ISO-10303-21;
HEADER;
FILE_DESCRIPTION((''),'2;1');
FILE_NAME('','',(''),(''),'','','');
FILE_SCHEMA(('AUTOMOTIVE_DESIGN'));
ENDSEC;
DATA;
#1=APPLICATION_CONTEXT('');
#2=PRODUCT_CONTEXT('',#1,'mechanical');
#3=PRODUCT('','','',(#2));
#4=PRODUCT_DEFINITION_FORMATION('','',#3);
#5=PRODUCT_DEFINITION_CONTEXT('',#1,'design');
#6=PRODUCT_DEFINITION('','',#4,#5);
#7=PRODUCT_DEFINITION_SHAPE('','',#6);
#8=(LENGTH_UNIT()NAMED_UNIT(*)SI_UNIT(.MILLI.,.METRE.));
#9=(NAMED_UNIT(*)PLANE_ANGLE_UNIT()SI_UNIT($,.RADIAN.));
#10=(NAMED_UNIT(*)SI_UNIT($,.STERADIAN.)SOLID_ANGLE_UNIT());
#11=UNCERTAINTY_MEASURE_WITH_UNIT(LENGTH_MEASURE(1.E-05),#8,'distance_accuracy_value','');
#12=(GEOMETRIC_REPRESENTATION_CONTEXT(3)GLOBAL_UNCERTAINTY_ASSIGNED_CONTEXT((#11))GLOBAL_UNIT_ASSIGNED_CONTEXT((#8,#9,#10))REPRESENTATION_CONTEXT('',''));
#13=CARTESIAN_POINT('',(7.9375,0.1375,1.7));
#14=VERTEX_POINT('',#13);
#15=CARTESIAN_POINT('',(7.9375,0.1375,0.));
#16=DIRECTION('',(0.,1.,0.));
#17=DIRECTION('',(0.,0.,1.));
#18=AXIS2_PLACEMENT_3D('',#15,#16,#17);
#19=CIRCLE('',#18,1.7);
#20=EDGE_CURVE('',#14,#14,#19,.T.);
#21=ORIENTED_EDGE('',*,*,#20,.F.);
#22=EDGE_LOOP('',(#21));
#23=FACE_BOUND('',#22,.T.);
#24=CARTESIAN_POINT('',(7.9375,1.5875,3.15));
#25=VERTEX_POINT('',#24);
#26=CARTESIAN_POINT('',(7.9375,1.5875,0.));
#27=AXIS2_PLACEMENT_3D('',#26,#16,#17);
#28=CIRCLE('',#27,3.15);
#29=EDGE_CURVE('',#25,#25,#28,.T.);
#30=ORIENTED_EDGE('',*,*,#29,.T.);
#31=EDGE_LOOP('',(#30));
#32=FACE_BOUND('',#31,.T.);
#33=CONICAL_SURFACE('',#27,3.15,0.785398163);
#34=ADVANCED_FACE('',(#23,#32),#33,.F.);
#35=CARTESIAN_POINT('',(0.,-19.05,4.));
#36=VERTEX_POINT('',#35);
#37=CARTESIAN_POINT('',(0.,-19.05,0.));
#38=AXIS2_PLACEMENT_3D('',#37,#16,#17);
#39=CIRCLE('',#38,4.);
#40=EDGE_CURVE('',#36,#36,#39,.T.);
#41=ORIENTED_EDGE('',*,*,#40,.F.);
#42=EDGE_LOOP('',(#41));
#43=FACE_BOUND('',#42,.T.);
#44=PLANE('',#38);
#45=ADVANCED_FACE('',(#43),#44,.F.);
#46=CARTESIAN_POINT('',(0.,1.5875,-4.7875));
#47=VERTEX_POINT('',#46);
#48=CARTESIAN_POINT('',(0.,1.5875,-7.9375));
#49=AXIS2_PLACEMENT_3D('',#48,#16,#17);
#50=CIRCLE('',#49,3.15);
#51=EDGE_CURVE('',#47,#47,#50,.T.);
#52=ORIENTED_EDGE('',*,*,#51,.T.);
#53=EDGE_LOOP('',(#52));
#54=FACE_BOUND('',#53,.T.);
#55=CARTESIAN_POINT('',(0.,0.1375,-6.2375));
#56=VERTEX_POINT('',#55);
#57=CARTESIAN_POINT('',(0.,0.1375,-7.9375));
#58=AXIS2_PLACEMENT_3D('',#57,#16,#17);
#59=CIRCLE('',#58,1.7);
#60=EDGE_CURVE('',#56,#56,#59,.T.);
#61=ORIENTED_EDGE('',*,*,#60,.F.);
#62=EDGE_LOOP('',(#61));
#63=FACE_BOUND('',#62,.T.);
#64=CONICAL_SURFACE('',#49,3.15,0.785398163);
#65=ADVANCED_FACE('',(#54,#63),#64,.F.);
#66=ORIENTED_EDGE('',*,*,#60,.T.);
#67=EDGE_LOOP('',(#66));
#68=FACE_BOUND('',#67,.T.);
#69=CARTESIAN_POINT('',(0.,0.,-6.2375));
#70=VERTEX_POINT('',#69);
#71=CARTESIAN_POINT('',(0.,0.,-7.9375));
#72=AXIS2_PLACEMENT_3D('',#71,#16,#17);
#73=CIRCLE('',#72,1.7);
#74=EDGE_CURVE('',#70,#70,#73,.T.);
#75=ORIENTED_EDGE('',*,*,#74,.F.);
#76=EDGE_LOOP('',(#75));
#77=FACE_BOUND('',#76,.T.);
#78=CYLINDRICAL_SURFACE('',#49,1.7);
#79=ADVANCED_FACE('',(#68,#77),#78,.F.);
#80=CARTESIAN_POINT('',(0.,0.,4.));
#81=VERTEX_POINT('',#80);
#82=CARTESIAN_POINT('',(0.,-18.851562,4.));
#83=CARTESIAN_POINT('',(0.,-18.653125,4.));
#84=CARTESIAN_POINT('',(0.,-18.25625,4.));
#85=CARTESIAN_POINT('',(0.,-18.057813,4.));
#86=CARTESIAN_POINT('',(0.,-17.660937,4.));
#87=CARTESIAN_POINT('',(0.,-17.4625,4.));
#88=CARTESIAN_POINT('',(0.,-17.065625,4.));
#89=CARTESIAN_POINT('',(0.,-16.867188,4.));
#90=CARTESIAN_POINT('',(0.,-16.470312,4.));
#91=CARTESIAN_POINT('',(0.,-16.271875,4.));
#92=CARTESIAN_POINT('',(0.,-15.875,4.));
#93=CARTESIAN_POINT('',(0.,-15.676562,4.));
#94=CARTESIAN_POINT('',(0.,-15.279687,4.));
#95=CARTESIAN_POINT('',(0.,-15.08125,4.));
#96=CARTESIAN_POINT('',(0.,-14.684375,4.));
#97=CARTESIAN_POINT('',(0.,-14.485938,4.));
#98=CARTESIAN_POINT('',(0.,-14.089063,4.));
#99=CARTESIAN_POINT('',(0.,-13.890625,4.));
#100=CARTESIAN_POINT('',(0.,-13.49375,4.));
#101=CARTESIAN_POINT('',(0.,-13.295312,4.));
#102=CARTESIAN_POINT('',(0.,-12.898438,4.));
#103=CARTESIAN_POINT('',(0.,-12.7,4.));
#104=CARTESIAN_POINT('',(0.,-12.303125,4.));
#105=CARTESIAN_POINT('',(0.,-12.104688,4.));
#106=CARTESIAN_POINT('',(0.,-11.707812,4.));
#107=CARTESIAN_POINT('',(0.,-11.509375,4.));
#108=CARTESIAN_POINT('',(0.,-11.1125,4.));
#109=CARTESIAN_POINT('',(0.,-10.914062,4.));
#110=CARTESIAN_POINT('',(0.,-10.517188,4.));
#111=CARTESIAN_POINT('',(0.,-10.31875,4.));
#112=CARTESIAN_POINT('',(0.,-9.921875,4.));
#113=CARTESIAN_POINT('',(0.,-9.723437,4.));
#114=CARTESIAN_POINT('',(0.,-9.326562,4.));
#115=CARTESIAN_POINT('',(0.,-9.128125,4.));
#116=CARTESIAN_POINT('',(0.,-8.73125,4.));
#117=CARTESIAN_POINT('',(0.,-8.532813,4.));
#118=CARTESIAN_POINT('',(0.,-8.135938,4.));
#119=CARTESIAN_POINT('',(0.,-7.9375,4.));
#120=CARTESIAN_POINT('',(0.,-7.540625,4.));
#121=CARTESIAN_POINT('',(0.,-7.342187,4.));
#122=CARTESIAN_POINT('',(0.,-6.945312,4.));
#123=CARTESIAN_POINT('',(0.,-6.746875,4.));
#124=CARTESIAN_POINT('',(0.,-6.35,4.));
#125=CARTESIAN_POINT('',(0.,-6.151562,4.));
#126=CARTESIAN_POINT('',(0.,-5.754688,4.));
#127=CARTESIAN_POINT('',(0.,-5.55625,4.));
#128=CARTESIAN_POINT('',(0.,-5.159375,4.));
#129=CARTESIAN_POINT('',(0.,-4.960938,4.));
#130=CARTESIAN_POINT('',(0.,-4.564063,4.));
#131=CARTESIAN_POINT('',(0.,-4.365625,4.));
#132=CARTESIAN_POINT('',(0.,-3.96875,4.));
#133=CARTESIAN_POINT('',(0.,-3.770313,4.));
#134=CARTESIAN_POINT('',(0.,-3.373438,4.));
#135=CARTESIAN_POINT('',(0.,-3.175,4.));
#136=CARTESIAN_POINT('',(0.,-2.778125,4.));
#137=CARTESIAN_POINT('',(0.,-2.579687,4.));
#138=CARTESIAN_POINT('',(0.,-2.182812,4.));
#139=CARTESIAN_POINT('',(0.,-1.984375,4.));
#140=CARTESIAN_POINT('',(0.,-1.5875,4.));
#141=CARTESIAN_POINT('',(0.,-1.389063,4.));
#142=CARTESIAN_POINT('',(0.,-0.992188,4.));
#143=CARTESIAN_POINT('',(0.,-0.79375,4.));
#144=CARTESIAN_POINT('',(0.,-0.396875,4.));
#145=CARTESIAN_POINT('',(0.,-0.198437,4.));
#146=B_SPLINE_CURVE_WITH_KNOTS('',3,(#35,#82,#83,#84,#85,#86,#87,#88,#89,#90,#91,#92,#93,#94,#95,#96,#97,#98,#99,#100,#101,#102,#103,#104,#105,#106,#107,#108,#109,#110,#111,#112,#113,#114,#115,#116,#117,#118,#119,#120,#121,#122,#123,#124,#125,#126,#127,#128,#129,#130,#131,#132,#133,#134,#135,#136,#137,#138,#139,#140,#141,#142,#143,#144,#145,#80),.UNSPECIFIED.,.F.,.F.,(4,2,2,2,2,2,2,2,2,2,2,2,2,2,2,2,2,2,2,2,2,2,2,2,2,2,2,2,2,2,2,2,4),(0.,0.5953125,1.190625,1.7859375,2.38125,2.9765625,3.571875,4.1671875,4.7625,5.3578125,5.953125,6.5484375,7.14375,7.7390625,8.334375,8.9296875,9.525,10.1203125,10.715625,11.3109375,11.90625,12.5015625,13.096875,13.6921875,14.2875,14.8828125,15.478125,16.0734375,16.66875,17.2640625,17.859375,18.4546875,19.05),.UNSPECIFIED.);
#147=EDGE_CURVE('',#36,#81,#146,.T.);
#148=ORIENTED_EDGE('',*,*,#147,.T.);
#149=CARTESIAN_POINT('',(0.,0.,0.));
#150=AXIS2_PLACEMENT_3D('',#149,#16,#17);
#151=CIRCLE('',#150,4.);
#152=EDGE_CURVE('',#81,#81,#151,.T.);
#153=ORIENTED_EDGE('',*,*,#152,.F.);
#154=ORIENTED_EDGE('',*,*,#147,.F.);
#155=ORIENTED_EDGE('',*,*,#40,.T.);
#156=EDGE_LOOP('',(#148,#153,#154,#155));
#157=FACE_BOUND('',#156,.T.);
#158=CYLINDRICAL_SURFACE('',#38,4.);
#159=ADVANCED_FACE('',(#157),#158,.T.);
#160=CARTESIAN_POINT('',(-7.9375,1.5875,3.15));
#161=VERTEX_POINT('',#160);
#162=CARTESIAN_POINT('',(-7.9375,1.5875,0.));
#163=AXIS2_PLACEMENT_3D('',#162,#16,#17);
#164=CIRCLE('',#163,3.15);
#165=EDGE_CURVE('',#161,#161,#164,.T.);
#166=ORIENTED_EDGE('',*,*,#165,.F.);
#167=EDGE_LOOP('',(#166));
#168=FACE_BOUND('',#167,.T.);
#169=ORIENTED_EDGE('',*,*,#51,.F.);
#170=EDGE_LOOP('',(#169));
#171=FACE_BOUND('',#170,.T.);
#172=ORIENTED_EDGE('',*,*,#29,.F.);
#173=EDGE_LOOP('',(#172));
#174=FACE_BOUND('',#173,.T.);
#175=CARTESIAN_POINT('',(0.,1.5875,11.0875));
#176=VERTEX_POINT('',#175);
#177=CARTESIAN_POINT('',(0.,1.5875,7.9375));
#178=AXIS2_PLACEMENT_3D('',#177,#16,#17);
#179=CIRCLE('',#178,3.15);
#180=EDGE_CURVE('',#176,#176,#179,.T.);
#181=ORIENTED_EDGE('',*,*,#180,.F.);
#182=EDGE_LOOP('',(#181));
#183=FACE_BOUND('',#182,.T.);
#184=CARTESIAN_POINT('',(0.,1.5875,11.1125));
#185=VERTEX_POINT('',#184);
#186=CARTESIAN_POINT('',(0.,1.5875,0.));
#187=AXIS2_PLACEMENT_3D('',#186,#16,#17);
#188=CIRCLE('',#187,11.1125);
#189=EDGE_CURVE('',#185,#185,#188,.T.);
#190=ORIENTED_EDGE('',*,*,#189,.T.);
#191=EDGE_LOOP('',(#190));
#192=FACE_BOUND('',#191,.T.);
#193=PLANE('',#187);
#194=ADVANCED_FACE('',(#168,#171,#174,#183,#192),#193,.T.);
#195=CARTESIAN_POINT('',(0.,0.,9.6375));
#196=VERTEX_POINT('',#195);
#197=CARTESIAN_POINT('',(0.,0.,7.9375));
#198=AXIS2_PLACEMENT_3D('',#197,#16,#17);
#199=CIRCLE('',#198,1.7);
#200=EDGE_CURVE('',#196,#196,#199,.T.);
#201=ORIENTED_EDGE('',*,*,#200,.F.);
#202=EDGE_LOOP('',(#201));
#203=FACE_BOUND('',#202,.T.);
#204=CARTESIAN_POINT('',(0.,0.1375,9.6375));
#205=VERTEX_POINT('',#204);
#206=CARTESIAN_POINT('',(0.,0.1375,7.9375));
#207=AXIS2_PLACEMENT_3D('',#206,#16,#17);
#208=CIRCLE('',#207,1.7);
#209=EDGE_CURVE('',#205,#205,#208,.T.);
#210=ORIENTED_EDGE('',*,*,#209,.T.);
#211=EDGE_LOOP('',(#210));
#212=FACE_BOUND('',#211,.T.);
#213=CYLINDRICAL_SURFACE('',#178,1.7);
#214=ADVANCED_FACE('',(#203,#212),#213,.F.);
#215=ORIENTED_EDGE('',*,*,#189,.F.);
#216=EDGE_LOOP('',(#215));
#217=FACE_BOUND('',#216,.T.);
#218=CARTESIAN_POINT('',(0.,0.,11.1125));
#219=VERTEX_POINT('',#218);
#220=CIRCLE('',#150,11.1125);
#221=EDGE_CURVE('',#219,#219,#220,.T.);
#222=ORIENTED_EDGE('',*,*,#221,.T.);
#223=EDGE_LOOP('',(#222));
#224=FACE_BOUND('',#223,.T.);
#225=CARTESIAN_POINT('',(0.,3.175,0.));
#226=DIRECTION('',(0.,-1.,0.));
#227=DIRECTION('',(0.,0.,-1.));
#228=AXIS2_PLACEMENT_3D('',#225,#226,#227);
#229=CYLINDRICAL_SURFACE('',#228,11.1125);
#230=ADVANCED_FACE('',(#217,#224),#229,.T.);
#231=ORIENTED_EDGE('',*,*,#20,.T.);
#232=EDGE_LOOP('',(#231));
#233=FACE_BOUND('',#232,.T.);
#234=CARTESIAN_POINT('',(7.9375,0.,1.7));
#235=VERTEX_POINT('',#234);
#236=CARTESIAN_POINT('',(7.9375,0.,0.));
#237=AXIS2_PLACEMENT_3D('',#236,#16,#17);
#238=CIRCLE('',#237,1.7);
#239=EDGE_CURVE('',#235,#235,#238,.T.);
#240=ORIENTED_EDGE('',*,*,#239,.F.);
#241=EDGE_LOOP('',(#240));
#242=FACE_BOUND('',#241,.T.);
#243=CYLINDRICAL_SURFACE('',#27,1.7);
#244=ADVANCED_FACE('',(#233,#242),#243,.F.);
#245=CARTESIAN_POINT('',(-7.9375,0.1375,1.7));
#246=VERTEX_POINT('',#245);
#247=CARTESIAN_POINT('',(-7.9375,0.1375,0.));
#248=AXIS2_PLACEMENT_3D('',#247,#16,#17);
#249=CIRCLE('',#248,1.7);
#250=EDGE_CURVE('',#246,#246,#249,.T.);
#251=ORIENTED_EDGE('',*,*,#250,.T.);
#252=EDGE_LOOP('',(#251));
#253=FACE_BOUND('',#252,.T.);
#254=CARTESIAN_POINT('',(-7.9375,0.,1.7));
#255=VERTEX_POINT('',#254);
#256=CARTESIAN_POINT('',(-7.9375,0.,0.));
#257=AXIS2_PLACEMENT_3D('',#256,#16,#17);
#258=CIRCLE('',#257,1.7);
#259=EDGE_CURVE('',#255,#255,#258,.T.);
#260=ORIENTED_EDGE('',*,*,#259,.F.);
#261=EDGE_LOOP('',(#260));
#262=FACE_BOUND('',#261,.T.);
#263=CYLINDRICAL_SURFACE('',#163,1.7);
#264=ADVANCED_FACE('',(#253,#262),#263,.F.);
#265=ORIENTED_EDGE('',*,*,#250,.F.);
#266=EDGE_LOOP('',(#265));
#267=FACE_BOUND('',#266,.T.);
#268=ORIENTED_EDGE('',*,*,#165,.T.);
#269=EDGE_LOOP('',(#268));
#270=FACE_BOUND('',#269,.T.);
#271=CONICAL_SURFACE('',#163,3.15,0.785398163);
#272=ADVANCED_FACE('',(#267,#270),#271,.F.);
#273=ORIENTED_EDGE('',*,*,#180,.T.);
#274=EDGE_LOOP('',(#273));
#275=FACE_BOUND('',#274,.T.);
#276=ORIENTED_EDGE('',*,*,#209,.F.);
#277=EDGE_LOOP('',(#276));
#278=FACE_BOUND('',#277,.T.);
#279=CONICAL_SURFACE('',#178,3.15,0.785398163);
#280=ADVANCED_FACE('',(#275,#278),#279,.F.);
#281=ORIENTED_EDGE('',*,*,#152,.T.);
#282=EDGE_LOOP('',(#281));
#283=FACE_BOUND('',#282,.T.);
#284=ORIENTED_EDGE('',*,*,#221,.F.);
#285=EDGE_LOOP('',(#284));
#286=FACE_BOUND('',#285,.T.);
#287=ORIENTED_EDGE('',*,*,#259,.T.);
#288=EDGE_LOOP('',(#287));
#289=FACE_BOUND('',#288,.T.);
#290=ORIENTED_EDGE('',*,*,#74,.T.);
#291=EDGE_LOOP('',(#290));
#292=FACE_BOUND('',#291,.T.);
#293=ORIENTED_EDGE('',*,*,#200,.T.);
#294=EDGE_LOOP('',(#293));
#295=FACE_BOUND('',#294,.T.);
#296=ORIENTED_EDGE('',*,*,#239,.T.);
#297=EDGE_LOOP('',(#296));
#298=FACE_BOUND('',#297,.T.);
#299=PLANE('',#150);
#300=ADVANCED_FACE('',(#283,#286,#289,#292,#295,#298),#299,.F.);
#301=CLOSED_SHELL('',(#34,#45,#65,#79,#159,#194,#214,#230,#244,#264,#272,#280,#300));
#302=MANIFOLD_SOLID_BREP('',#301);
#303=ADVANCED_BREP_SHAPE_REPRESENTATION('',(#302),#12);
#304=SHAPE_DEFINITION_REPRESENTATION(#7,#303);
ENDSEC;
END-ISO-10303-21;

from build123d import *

# Parameters (mm, degrees)
SKETCH1_R                                      = 4
BOSS_EXTRUDE1_DEPTH                            = 19.05
SKETCH2_R                                      = 11.1125
BOSS_EXTRUDE2_DEPTH                            = 3.175
CUT_EXTRUDE2_START                             = -1.5875
SKETCH10_R                                     = 11.1125
CUT_EXTRUDE2_DEPTH                             = 1.5875
CSK_FOR_M3_FLAT_HEAD_MACHINE_SCREW1_AT_2_COUNT = 2
CSK_FOR_M3_FLAT_HEAD_MACHINE_SCREW1_AT_2_PITCH = 11.225320151
CSK_FOR_M3_FLAT_HEAD_MACHINE_SCREW1_AT_3_COUNT = 2
CSK_FOR_M3_FLAT_HEAD_MACHINE_SCREW1_AT_3_PITCH = 11.225320151
CSK_FOR_M3_FLAT_HEAD_MACHINE_SCREW1_AT_4_COUNT = 2
CSK_FOR_M3_FLAT_HEAD_MACHINE_SCREW1_AT_4_PITCH = 15.875


with BuildPart() as part:
    # Sketch1 → Boss-Extrude1 (new body)
    with BuildSketch(Plane(origin=(0, 0, 0), x_dir=(1, 0, 0), z_dir=(0, 1, 0))):
        with Locations(Location((0, 0, 0), (0, 0, 270))):
            Circle(SKETCH1_R)
    extrude(amount=-BOSS_EXTRUDE1_DEPTH)

    # Sketch2 → Boss-Extrude2 (add)
    with BuildSketch(Plane(origin=(0, 0, 0), x_dir=(1, 0, 0), z_dir=(0, 1, 0))):
        with Locations(Location((0, 0, 0), (0, 0, 270))):
            Circle(SKETCH2_R)
    extrude(amount=BOSS_EXTRUDE2_DEPTH)

    # Sketch10 → Cut-Extrude2 (cut)
    with BuildSketch(Plane(origin=(0, 3.175, 0), x_dir=(1, 0, 0), z_dir=(0, 1, 0)).offset(CUT_EXTRUDE2_START)):
        with Locations(Location((0, 0, 0), (0, 0, 270))):
            Circle(SKETCH10_R)
    extrude(amount=CUT_EXTRUDE2_DEPTH, mode=Mode.SUBTRACT)

    # Sketch6 → CSK for M3 Flat Head Machine Screw1 (revolve, cut)
    with BuildSketch(Plane(origin=(7.9375, 1.5875, 0), x_dir=(0, 0, 1), z_dir=(1, 0, 0))):
        Polygon((0, 0), (0, 1.5875), (1.7, 1.5875), (1.7, 1.45), (3.15, 0), align=None)
    csk_for_m3_flat_head_machine_screw1 = revolve(axis=Axis((7.9375, 7.9375, 0), (0, -1, 0)), mode=Mode.SUBTRACT)

    # CSK for M3 Flat Head Machine Screw1 at 2: CSK for M3 Flat Head Machine Screw1 ×2
    with Locations(*[Vector(-0.7071067811865476, 0, -0.7071067811865476) * (i * CSK_FOR_M3_FLAT_HEAD_MACHINE_SCREW1_AT_2_PITCH) for i in range(1, CSK_FOR_M3_FLAT_HEAD_MACHINE_SCREW1_AT_2_COUNT)]):
        add(csk_for_m3_flat_head_machine_screw1, mode=Mode.SUBTRACT)

    # CSK for M3 Flat Head Machine Screw1 at 3: CSK for M3 Flat Head Machine Screw1 ×2
    with Locations(*[Vector(-0.7071067811865476, 0, 0.7071067811865476) * (i * CSK_FOR_M3_FLAT_HEAD_MACHINE_SCREW1_AT_3_PITCH) for i in range(1, CSK_FOR_M3_FLAT_HEAD_MACHINE_SCREW1_AT_3_COUNT)]):
        add(csk_for_m3_flat_head_machine_screw1, mode=Mode.SUBTRACT)

    # CSK for M3 Flat Head Machine Screw1 at 4: CSK for M3 Flat Head Machine Screw1 ×2
    with Locations(*[(-i * CSK_FOR_M3_FLAT_HEAD_MACHINE_SCREW1_AT_4_PITCH, 0, 0) for i in range(1, CSK_FOR_M3_FLAT_HEAD_MACHINE_SCREW1_AT_4_COUNT)]):
        add(csk_for_m3_flat_head_machine_screw1, mode=Mode.SUBTRACT)


solid = part.part
